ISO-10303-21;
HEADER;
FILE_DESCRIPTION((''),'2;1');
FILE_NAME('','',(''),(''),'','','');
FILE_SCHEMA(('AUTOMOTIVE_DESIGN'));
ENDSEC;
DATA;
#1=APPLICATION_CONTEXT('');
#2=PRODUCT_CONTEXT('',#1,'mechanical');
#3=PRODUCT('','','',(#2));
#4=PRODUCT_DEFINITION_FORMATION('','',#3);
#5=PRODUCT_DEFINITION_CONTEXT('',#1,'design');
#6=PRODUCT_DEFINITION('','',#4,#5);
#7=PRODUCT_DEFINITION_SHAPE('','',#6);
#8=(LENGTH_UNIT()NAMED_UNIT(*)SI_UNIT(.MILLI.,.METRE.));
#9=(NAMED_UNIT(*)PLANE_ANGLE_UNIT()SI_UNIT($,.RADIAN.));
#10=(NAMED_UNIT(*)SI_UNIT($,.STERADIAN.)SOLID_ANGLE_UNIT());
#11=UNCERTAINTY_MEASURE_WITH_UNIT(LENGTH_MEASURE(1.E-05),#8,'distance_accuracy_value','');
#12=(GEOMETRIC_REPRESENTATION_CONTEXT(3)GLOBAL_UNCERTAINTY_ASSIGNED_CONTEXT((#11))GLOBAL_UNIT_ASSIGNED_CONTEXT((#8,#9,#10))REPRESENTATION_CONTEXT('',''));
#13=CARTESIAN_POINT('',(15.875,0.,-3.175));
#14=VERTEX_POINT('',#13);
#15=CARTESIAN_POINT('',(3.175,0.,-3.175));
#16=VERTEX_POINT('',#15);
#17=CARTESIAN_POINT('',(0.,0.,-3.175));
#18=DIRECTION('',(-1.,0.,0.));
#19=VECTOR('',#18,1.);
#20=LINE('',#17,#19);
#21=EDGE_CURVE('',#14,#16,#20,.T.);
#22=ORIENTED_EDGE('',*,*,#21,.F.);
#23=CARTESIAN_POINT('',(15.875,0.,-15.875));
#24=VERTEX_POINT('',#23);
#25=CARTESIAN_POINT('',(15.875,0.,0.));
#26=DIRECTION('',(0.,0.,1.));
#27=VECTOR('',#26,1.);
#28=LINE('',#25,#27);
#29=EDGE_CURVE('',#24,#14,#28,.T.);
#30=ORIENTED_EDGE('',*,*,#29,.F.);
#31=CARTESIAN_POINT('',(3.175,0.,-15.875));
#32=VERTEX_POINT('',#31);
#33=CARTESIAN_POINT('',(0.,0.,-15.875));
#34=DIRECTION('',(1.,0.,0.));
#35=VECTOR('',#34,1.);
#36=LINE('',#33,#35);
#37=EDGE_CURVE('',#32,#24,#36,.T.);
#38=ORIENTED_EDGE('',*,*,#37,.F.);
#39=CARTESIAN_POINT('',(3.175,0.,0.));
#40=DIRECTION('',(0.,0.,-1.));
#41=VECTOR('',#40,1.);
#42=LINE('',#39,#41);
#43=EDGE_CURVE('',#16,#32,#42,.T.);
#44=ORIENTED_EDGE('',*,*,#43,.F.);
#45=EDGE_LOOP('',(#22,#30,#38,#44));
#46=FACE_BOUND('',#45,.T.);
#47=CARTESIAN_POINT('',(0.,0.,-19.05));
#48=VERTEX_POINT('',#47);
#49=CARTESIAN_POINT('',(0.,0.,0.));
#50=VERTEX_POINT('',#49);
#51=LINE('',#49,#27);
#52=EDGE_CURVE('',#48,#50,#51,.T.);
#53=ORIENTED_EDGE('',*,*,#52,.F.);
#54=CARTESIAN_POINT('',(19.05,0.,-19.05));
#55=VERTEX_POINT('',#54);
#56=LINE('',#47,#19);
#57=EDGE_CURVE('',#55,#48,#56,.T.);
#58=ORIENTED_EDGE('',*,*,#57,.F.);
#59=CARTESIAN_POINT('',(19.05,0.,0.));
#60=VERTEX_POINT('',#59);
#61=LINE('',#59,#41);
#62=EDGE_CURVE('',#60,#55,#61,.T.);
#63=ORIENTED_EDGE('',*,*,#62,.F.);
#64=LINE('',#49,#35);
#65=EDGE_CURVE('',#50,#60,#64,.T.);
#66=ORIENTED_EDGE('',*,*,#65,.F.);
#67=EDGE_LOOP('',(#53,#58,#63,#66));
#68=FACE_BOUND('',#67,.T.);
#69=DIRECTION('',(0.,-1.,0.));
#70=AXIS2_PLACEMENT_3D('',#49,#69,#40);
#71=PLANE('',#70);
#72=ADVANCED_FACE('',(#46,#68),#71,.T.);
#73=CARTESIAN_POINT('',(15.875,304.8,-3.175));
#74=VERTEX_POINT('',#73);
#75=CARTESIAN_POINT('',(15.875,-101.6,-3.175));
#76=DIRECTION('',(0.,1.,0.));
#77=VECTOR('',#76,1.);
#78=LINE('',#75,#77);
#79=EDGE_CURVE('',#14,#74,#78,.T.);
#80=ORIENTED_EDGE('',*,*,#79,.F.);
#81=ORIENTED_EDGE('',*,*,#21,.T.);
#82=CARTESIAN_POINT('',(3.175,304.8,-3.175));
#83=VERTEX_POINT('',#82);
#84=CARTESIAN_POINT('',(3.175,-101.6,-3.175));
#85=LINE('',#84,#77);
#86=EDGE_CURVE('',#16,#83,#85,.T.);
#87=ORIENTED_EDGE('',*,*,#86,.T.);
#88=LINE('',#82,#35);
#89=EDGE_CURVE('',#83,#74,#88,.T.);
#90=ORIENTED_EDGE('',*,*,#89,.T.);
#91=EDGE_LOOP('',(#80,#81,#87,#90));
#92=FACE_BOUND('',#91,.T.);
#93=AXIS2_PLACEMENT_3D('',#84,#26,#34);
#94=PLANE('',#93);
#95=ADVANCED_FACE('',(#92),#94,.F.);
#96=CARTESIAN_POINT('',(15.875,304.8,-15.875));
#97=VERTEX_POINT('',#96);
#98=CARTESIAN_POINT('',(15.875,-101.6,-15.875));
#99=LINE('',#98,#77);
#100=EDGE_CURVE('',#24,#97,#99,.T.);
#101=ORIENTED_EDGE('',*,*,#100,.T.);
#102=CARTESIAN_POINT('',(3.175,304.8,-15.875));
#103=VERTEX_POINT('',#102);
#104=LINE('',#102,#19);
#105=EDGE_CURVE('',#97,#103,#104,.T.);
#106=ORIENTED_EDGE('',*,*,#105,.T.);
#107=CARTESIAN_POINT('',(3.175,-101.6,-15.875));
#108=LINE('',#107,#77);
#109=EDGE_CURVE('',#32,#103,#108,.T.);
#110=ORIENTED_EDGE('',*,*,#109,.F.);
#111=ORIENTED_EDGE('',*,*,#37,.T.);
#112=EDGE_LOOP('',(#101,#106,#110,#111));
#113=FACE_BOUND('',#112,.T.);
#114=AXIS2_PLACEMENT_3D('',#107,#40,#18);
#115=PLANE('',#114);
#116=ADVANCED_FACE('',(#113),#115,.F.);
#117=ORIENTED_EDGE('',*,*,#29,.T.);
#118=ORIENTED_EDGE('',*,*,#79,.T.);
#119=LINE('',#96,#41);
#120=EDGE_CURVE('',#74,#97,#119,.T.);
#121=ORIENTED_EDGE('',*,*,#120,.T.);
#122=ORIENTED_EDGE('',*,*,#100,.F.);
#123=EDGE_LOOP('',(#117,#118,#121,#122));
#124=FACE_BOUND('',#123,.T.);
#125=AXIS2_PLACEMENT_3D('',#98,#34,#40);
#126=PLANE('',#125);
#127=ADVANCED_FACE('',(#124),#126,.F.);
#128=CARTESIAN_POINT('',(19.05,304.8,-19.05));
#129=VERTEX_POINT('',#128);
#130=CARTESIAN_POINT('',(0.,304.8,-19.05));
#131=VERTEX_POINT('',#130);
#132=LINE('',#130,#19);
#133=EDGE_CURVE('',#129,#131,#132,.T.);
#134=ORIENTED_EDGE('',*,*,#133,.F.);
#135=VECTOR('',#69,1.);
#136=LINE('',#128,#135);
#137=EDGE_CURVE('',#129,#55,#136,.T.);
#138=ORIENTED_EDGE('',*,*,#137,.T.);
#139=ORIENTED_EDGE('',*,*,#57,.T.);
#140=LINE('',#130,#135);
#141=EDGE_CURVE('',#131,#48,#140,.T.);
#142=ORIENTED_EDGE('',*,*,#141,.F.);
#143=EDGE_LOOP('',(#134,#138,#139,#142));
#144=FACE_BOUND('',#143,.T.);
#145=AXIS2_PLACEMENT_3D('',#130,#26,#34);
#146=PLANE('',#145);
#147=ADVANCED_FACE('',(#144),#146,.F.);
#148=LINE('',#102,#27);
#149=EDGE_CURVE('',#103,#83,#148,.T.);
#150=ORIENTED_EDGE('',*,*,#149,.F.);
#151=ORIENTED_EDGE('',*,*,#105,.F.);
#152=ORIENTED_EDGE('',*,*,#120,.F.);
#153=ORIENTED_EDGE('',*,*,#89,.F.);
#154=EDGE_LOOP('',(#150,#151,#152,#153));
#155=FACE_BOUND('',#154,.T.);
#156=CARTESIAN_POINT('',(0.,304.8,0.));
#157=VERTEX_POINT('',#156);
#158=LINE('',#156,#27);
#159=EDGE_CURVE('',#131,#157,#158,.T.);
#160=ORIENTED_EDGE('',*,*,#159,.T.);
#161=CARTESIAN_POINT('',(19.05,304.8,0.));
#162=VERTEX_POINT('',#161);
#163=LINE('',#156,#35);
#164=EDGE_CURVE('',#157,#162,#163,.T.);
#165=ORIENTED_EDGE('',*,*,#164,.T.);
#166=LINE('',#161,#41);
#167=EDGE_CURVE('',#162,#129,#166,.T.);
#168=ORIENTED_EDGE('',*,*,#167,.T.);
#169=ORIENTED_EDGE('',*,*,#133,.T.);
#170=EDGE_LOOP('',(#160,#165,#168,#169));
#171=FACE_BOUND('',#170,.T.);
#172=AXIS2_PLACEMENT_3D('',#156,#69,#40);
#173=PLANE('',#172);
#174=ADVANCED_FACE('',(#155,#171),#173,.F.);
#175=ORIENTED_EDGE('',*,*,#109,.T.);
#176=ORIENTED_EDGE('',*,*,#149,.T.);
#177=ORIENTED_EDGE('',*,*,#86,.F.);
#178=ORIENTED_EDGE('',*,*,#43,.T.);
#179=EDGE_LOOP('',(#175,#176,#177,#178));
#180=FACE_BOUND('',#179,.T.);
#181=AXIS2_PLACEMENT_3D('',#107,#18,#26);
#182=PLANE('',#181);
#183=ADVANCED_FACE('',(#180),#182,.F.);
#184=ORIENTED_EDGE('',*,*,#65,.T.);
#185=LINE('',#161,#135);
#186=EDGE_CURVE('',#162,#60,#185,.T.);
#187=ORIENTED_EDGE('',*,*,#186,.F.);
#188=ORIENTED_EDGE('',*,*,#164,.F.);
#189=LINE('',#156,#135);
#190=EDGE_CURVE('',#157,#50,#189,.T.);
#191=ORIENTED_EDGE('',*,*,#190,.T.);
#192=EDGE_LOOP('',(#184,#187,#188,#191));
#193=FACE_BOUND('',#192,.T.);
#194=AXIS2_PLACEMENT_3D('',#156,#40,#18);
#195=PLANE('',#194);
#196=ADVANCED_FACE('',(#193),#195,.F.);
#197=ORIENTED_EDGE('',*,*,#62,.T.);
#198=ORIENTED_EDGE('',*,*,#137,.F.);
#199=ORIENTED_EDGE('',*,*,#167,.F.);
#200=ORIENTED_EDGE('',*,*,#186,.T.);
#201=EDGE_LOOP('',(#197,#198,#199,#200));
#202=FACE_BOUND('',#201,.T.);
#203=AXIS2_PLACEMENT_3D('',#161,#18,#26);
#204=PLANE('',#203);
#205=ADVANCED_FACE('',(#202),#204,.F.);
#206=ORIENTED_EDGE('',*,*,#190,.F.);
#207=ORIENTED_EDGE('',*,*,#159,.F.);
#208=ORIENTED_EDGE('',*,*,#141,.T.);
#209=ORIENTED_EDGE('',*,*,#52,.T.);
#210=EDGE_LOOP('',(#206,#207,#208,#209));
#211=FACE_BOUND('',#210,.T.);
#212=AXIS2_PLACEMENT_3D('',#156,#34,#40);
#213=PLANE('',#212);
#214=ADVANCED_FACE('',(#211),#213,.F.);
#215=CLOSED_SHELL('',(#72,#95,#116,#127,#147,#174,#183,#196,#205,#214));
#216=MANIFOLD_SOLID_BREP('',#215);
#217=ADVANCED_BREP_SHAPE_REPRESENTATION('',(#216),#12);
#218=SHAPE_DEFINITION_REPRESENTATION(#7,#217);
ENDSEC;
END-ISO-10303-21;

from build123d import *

# Parameters (mm, degrees)
SKETCH1_W           = 19.05
SKETCH1_H           = 19.05
BOSS_EXTRUDE1_DEPTH = 304.8
SKETCH2_W           = 12.7
SKETCH2_H           = 12.7
CUT_EXTRUDE1_DEPTH  = 406.4


with BuildPart() as part:
    # Sketch1 → Boss-Extrude1 (new body)
    with BuildSketch(Plane(origin=(0, 0, 0), x_dir=(1, 0, 0), z_dir=(0, 1, 0))):
        with Locations((9.525, 9.525)):
            Rectangle(SKETCH1_W, SKETCH1_H)
    extrude(amount=BOSS_EXTRUDE1_DEPTH)

    # Sketch2 → Cut-Extrude1 (cut)
    with BuildSketch(Plane(origin=(0, 304.8, 0), x_dir=(1, 0, 0), z_dir=(0, 1, 0))):
        with Locations((9.525, 9.525)):
            Rectangle(SKETCH2_W, SKETCH2_H)
    extrude(amount=-CUT_EXTRUDE1_DEPTH, mode=Mode.SUBTRACT)


solid = part.part
